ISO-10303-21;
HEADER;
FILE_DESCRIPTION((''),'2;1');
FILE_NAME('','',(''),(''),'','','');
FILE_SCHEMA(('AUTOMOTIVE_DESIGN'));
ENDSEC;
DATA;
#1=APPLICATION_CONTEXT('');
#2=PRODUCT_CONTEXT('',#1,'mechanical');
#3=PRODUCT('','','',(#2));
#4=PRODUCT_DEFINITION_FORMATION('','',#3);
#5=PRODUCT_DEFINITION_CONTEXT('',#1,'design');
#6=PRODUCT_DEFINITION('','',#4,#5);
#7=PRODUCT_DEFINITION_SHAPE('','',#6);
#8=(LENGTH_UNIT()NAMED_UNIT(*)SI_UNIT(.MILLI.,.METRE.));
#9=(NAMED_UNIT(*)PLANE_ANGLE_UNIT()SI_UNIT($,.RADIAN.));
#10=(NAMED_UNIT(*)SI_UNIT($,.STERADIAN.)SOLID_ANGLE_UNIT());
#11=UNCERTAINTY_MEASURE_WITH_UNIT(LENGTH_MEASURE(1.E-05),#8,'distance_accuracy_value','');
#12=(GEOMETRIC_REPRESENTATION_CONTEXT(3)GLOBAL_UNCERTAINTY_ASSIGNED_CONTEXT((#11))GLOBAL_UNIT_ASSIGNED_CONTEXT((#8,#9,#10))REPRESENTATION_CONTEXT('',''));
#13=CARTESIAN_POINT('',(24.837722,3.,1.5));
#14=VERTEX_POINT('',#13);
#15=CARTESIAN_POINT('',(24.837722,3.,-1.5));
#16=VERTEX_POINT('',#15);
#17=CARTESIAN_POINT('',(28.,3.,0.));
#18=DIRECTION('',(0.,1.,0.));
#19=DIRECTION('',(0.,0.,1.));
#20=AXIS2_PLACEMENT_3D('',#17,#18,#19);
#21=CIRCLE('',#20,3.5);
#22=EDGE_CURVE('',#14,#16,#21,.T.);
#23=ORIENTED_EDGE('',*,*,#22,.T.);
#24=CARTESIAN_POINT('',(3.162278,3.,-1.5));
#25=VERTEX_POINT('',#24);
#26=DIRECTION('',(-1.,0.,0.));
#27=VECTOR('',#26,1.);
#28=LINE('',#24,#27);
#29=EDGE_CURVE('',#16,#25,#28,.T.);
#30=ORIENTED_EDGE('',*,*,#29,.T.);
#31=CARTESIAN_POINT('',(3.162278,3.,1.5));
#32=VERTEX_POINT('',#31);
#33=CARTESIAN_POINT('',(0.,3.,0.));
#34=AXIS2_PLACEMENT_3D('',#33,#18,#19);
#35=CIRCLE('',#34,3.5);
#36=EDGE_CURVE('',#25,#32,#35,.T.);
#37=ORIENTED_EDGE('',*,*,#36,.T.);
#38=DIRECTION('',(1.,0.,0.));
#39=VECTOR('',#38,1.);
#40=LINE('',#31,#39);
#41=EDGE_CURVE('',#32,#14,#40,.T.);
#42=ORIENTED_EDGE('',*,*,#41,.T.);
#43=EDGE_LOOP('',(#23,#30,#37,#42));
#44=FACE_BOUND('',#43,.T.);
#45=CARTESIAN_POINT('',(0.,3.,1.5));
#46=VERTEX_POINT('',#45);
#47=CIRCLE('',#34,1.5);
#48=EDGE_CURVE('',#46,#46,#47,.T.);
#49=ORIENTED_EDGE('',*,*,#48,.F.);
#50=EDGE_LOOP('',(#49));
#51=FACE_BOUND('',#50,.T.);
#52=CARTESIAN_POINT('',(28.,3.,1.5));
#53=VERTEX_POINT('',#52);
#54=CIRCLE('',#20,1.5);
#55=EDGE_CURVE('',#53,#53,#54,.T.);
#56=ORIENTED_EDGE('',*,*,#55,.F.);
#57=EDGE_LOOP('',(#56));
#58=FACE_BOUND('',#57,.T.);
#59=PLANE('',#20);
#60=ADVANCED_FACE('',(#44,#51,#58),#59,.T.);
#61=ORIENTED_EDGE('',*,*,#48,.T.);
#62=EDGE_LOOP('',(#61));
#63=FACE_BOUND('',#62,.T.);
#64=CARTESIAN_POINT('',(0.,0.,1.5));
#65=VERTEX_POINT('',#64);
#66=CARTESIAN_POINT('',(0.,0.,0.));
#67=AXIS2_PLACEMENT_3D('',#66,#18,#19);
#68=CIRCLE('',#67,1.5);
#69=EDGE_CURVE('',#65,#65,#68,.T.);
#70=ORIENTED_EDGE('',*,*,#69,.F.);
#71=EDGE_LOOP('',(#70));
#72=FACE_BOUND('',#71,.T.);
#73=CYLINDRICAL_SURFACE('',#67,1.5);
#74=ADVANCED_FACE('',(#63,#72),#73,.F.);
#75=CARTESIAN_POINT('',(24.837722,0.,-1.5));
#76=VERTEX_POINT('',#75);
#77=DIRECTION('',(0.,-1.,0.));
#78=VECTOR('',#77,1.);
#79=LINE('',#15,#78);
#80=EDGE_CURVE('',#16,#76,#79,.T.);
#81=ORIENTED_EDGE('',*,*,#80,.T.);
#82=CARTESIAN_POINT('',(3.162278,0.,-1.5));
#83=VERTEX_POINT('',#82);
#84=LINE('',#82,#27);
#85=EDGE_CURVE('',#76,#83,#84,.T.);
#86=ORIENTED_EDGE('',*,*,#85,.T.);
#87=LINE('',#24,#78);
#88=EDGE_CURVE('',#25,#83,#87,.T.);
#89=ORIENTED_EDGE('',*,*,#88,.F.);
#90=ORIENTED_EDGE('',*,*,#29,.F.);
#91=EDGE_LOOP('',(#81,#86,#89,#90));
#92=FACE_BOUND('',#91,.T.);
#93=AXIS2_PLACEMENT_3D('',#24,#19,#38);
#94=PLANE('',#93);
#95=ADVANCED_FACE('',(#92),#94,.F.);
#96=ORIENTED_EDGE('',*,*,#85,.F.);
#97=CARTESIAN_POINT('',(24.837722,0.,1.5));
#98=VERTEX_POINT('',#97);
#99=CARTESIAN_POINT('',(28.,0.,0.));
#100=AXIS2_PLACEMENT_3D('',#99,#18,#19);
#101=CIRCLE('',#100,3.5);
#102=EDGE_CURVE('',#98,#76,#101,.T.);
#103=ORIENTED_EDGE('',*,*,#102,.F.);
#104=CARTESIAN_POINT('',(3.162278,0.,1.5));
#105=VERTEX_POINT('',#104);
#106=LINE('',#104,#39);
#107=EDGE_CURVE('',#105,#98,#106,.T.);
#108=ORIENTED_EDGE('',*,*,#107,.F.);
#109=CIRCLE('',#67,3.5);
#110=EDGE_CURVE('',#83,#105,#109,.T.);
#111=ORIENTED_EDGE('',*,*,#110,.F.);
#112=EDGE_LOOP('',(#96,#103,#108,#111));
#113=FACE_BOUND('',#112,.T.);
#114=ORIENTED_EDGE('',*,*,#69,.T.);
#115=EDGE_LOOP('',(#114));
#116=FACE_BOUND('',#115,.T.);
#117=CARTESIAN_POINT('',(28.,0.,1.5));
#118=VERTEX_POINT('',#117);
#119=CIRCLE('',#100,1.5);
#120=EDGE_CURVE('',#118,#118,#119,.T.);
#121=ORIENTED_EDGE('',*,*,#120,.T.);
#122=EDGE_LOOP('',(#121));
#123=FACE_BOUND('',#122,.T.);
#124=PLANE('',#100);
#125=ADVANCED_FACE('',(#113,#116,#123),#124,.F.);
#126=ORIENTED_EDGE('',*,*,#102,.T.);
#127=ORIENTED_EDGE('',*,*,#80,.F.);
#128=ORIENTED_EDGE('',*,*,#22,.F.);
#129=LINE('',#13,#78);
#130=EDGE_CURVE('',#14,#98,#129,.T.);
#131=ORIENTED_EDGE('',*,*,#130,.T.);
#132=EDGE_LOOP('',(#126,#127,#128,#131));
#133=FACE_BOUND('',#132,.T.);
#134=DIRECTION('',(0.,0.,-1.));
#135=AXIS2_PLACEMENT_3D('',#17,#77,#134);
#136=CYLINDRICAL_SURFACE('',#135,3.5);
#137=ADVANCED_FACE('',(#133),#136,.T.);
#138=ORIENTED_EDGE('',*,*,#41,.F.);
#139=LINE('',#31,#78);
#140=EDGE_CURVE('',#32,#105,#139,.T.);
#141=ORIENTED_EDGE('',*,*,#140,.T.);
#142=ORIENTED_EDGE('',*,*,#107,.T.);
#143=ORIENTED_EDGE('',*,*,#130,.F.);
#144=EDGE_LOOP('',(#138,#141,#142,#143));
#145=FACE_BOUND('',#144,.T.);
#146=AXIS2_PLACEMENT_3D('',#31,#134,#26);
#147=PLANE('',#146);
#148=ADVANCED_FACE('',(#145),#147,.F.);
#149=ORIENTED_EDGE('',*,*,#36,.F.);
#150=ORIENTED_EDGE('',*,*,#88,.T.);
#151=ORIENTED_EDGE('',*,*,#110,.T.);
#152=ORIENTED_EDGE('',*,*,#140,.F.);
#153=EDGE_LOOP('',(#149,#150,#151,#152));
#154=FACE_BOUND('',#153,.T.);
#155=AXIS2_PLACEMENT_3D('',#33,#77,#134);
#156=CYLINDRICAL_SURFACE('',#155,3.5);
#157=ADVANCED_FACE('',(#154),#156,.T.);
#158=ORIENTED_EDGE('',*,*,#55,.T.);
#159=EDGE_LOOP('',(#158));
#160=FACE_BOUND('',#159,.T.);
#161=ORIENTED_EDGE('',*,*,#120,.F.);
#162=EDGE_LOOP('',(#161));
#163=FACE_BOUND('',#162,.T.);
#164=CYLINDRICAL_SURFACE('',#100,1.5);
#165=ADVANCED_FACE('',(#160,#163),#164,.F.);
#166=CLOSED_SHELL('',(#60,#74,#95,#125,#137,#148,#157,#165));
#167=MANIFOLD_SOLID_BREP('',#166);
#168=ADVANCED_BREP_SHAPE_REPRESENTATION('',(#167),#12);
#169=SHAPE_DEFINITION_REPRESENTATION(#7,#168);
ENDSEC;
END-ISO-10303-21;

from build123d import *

# Parameters (mm, degrees)
BOSS_EXTRUDE1_DEPTH = 3
SKETCH2_R           = 1.5
CUT_EXTRUDE1_DEPTH  = 3


with BuildPart() as part:
    # Sketch1 → Boss-Extrude1 (new body)
    with BuildSketch(Plane(origin=(0, 0, 0), x_dir=(1, 0, 0), z_dir=(0, 1, 0))):
        with BuildLine():
            Line((3.16227766, 1.5), (24.83772234, 1.5))
            ThreePointArc((24.83772234, 1.5), (31.5, 0), (24.83772234, -1.5))
            Line((24.83772234, -1.5), (3.16227766, -1.5))
            ThreePointArc((3.16227766, -1.5), (-3.5, 0), (3.16227766, 1.5))
        make_face()
    extrude(amount=BOSS_EXTRUDE1_DEPTH)

    # Sketch2 → Cut-Extrude1 (cut)
    with BuildSketch(Plane(origin=(0, 3, 0), x_dir=(1, 0, 0), z_dir=(0, 1, 0))):
        Circle(SKETCH2_R)
        with Locations((28, 0)):
            Circle(SKETCH2_R)
    extrude(amount=-CUT_EXTRUDE1_DEPTH, mode=Mode.SUBTRACT)


solid = part.part
